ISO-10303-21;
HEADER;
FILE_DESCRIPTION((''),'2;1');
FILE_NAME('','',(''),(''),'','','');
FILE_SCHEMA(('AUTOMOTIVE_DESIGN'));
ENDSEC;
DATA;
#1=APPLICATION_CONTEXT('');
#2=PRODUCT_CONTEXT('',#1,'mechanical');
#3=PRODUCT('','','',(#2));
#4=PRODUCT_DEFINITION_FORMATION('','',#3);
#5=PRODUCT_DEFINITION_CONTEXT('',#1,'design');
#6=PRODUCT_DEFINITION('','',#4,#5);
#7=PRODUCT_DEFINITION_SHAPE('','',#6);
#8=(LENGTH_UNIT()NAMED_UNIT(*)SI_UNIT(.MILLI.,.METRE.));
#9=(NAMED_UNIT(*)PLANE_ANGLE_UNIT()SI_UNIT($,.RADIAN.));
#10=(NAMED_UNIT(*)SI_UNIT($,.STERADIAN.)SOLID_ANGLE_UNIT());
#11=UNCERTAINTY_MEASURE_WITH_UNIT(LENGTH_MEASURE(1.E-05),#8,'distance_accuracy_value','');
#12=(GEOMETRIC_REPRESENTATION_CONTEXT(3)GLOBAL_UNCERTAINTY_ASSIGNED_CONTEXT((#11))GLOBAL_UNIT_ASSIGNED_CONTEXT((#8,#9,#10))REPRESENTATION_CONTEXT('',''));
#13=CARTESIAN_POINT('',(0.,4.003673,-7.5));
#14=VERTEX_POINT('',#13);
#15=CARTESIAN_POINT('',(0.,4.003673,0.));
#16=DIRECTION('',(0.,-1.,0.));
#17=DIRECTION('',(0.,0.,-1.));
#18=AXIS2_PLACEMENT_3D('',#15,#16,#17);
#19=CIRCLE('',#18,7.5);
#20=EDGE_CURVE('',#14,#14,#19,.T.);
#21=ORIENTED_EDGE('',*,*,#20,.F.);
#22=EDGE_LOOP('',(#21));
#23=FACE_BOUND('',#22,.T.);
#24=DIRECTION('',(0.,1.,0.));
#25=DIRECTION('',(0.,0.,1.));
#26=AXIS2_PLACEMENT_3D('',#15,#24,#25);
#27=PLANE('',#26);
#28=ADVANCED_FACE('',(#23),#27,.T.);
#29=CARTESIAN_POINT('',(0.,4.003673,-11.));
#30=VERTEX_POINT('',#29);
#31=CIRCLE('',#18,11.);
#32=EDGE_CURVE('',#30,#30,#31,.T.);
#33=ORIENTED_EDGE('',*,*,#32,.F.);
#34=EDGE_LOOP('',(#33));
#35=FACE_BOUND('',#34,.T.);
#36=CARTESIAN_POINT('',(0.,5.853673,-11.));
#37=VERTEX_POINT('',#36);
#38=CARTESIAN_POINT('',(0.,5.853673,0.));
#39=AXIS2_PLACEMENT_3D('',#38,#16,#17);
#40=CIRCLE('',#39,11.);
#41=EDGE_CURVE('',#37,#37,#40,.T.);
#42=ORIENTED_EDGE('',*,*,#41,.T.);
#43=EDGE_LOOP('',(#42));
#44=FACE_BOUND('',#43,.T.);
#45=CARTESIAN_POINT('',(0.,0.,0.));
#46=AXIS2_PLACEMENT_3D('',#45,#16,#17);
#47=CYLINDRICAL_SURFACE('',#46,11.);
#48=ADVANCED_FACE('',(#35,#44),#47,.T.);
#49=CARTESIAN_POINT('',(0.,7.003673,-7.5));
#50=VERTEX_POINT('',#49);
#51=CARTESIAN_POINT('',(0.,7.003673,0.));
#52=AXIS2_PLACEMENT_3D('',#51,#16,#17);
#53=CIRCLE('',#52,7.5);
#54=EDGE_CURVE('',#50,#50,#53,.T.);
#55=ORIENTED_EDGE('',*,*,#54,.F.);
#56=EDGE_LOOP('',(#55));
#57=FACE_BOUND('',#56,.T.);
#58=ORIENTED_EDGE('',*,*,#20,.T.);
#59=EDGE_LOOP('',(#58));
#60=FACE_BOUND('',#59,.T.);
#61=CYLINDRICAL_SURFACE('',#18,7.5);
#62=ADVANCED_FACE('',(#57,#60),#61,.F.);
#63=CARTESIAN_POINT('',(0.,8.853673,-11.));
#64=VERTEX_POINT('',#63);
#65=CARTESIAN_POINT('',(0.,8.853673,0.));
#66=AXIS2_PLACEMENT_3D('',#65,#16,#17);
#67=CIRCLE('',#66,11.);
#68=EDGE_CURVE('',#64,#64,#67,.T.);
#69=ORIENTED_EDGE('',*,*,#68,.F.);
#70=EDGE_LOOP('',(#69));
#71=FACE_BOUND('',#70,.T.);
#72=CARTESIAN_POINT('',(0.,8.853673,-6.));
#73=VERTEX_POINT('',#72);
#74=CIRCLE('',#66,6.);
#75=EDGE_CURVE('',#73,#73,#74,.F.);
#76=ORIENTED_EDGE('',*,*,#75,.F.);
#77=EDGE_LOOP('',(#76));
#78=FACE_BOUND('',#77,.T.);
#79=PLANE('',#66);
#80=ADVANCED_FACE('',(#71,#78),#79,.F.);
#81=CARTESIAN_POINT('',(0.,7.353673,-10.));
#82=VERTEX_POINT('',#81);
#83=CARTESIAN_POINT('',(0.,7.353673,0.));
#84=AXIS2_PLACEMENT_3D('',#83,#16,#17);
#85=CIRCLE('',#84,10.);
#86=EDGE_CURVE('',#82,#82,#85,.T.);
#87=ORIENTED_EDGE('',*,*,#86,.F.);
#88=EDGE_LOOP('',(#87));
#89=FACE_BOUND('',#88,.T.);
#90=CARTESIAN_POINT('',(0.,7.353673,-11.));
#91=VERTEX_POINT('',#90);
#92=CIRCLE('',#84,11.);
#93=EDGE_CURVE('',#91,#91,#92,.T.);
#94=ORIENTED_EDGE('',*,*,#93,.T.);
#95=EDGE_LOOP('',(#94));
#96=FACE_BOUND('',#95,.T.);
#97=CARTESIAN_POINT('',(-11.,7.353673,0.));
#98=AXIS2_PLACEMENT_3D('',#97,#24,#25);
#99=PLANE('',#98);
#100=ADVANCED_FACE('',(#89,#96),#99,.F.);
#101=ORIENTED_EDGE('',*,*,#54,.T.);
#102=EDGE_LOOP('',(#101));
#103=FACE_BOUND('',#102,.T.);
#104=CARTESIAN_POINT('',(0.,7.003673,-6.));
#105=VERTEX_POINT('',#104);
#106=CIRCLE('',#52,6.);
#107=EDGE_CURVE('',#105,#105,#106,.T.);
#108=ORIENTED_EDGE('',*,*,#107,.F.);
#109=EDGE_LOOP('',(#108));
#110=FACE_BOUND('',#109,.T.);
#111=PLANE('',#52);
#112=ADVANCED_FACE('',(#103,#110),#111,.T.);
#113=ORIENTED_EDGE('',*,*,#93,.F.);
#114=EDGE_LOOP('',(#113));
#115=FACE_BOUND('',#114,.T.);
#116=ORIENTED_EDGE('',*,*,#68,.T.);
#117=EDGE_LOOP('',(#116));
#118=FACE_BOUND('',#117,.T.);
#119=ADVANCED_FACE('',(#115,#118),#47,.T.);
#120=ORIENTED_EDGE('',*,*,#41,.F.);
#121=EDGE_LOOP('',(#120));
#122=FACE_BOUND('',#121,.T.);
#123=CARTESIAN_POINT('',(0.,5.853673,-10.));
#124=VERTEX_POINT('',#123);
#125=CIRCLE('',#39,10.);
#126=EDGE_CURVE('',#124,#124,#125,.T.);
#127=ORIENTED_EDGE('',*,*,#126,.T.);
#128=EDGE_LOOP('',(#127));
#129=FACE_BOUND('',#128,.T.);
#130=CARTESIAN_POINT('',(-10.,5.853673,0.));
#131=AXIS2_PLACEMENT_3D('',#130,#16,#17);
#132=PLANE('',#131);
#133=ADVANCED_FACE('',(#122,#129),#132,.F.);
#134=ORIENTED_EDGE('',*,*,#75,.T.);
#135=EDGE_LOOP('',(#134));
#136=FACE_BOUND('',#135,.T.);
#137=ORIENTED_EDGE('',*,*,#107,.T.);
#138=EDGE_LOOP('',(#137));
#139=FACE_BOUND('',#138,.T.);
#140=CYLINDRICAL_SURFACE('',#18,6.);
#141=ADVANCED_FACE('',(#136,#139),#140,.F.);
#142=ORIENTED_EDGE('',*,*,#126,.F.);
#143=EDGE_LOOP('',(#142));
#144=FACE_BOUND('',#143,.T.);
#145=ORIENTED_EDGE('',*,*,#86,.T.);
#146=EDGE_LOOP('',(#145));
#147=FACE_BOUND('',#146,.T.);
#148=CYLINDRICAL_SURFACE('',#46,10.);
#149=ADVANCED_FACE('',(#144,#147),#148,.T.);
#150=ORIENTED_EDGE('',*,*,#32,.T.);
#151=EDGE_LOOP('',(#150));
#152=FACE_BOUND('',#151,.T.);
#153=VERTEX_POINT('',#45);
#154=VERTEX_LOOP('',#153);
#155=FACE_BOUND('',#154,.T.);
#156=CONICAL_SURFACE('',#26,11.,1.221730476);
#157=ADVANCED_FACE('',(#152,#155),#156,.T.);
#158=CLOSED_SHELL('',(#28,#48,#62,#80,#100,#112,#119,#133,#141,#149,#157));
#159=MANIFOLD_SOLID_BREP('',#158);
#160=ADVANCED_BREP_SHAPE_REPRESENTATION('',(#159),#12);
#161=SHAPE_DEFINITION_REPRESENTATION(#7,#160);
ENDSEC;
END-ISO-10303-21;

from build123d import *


with BuildPart() as part:
    # Sketch2 → Revolve1 (revolve)
    with BuildSketch(Plane.XY):
        Polygon((0, 0), (0, 8.853672577), (-11, 8.853672577), (-11, 7.353672577), (-10, 7.353672577), (-10, 5.853672577), (-11, 5.853672577), (-11, 4.003672577), align=None)
    revolve(axis=Axis((0, 0, 0), (0, 1, 0)))

    # Sketch3 → Cut-Revolve1 (revolve, cut)
    with BuildSketch(Plane.XY):
        Polygon((-7.5, 7.003672577), (-7.5, 4.003672577), (0, 4.003672577), (0, 10.003672577), (-6, 10.003672577), (-6, 7.003672577), align=None)
    revolve(axis=Axis((0, 4.003672577, 0), (0, 1, 0)), mode=Mode.SUBTRACT)


solid = part.part
